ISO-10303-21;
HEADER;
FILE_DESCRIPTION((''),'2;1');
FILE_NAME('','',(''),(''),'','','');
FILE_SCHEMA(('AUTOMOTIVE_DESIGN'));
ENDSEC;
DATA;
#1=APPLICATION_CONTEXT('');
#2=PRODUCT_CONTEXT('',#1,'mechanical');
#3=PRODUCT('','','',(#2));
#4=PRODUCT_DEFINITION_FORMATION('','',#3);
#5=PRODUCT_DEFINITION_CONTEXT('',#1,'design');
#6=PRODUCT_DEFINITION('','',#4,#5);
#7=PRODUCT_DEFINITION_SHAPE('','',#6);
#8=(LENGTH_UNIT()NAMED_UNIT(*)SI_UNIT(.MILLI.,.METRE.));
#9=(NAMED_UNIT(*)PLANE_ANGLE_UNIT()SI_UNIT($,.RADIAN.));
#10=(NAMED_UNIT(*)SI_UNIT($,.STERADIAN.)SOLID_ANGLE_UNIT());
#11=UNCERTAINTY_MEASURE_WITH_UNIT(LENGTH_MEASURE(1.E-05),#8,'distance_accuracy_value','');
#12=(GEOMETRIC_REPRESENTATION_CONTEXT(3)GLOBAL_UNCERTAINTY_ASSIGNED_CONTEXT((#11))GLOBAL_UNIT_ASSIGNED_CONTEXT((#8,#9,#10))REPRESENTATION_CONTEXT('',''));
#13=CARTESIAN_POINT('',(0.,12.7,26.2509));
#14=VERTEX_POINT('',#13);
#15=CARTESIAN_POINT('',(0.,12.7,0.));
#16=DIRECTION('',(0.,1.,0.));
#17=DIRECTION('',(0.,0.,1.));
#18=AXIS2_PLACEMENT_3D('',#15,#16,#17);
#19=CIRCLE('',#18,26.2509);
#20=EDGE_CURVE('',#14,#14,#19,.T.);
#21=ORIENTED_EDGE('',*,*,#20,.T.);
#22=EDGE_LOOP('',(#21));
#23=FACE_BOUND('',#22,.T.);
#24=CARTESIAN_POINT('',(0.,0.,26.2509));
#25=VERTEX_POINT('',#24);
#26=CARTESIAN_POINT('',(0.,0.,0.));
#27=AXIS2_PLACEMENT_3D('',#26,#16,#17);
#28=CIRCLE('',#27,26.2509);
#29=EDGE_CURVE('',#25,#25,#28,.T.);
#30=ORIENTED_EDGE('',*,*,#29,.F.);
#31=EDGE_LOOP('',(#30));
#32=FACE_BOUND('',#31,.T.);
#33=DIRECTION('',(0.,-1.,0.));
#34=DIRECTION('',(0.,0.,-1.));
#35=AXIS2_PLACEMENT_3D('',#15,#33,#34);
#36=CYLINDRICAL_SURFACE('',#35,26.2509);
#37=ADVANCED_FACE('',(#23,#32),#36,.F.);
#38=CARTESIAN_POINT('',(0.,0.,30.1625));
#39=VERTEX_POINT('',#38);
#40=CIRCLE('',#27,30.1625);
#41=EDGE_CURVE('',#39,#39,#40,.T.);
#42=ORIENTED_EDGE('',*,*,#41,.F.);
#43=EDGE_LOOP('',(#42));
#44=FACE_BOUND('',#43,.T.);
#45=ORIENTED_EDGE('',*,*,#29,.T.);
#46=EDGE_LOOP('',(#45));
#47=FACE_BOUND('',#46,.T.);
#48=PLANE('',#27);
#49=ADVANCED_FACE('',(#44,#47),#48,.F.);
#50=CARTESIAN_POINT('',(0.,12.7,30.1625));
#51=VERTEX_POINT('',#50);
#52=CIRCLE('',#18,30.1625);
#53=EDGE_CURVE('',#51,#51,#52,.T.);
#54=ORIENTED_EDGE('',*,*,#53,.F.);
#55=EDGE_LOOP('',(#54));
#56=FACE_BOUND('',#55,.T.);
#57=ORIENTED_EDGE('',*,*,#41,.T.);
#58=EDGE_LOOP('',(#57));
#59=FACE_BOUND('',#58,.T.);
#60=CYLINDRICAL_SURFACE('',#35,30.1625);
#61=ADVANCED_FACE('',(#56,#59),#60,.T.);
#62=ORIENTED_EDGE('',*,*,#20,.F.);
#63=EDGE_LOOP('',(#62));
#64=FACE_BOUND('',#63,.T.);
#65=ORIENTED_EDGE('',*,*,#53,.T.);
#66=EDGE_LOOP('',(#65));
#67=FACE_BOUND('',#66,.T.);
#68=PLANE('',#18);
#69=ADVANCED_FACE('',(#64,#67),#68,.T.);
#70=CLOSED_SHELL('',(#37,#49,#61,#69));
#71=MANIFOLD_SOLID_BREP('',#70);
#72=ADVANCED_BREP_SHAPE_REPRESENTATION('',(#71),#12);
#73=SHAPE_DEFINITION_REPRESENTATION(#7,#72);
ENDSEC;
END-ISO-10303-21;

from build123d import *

# Parameters (mm, degrees)
SKETCH1_R           = 30.1625
SKETCH1_R_2         = 26.2509
BOSS_EXTRUDE1_DEPTH = 12.7


with BuildPart() as part:
    # Sketch1 → Boss-Extrude1 (new body)
    with BuildSketch(Plane(origin=(0, 0, 0), x_dir=(1, 0, 0), z_dir=(0, 1, 0))):
        with Locations(Location((0, 0, 0), (0, 0, 270))):
            Circle(SKETCH1_R)
        with Locations(Location((0, 0, 0), (0, 0, 270))):
            Circle(SKETCH1_R_2, mode=Mode.SUBTRACT)
    extrude(amount=BOSS_EXTRUDE1_DEPTH)


solid = part.part
